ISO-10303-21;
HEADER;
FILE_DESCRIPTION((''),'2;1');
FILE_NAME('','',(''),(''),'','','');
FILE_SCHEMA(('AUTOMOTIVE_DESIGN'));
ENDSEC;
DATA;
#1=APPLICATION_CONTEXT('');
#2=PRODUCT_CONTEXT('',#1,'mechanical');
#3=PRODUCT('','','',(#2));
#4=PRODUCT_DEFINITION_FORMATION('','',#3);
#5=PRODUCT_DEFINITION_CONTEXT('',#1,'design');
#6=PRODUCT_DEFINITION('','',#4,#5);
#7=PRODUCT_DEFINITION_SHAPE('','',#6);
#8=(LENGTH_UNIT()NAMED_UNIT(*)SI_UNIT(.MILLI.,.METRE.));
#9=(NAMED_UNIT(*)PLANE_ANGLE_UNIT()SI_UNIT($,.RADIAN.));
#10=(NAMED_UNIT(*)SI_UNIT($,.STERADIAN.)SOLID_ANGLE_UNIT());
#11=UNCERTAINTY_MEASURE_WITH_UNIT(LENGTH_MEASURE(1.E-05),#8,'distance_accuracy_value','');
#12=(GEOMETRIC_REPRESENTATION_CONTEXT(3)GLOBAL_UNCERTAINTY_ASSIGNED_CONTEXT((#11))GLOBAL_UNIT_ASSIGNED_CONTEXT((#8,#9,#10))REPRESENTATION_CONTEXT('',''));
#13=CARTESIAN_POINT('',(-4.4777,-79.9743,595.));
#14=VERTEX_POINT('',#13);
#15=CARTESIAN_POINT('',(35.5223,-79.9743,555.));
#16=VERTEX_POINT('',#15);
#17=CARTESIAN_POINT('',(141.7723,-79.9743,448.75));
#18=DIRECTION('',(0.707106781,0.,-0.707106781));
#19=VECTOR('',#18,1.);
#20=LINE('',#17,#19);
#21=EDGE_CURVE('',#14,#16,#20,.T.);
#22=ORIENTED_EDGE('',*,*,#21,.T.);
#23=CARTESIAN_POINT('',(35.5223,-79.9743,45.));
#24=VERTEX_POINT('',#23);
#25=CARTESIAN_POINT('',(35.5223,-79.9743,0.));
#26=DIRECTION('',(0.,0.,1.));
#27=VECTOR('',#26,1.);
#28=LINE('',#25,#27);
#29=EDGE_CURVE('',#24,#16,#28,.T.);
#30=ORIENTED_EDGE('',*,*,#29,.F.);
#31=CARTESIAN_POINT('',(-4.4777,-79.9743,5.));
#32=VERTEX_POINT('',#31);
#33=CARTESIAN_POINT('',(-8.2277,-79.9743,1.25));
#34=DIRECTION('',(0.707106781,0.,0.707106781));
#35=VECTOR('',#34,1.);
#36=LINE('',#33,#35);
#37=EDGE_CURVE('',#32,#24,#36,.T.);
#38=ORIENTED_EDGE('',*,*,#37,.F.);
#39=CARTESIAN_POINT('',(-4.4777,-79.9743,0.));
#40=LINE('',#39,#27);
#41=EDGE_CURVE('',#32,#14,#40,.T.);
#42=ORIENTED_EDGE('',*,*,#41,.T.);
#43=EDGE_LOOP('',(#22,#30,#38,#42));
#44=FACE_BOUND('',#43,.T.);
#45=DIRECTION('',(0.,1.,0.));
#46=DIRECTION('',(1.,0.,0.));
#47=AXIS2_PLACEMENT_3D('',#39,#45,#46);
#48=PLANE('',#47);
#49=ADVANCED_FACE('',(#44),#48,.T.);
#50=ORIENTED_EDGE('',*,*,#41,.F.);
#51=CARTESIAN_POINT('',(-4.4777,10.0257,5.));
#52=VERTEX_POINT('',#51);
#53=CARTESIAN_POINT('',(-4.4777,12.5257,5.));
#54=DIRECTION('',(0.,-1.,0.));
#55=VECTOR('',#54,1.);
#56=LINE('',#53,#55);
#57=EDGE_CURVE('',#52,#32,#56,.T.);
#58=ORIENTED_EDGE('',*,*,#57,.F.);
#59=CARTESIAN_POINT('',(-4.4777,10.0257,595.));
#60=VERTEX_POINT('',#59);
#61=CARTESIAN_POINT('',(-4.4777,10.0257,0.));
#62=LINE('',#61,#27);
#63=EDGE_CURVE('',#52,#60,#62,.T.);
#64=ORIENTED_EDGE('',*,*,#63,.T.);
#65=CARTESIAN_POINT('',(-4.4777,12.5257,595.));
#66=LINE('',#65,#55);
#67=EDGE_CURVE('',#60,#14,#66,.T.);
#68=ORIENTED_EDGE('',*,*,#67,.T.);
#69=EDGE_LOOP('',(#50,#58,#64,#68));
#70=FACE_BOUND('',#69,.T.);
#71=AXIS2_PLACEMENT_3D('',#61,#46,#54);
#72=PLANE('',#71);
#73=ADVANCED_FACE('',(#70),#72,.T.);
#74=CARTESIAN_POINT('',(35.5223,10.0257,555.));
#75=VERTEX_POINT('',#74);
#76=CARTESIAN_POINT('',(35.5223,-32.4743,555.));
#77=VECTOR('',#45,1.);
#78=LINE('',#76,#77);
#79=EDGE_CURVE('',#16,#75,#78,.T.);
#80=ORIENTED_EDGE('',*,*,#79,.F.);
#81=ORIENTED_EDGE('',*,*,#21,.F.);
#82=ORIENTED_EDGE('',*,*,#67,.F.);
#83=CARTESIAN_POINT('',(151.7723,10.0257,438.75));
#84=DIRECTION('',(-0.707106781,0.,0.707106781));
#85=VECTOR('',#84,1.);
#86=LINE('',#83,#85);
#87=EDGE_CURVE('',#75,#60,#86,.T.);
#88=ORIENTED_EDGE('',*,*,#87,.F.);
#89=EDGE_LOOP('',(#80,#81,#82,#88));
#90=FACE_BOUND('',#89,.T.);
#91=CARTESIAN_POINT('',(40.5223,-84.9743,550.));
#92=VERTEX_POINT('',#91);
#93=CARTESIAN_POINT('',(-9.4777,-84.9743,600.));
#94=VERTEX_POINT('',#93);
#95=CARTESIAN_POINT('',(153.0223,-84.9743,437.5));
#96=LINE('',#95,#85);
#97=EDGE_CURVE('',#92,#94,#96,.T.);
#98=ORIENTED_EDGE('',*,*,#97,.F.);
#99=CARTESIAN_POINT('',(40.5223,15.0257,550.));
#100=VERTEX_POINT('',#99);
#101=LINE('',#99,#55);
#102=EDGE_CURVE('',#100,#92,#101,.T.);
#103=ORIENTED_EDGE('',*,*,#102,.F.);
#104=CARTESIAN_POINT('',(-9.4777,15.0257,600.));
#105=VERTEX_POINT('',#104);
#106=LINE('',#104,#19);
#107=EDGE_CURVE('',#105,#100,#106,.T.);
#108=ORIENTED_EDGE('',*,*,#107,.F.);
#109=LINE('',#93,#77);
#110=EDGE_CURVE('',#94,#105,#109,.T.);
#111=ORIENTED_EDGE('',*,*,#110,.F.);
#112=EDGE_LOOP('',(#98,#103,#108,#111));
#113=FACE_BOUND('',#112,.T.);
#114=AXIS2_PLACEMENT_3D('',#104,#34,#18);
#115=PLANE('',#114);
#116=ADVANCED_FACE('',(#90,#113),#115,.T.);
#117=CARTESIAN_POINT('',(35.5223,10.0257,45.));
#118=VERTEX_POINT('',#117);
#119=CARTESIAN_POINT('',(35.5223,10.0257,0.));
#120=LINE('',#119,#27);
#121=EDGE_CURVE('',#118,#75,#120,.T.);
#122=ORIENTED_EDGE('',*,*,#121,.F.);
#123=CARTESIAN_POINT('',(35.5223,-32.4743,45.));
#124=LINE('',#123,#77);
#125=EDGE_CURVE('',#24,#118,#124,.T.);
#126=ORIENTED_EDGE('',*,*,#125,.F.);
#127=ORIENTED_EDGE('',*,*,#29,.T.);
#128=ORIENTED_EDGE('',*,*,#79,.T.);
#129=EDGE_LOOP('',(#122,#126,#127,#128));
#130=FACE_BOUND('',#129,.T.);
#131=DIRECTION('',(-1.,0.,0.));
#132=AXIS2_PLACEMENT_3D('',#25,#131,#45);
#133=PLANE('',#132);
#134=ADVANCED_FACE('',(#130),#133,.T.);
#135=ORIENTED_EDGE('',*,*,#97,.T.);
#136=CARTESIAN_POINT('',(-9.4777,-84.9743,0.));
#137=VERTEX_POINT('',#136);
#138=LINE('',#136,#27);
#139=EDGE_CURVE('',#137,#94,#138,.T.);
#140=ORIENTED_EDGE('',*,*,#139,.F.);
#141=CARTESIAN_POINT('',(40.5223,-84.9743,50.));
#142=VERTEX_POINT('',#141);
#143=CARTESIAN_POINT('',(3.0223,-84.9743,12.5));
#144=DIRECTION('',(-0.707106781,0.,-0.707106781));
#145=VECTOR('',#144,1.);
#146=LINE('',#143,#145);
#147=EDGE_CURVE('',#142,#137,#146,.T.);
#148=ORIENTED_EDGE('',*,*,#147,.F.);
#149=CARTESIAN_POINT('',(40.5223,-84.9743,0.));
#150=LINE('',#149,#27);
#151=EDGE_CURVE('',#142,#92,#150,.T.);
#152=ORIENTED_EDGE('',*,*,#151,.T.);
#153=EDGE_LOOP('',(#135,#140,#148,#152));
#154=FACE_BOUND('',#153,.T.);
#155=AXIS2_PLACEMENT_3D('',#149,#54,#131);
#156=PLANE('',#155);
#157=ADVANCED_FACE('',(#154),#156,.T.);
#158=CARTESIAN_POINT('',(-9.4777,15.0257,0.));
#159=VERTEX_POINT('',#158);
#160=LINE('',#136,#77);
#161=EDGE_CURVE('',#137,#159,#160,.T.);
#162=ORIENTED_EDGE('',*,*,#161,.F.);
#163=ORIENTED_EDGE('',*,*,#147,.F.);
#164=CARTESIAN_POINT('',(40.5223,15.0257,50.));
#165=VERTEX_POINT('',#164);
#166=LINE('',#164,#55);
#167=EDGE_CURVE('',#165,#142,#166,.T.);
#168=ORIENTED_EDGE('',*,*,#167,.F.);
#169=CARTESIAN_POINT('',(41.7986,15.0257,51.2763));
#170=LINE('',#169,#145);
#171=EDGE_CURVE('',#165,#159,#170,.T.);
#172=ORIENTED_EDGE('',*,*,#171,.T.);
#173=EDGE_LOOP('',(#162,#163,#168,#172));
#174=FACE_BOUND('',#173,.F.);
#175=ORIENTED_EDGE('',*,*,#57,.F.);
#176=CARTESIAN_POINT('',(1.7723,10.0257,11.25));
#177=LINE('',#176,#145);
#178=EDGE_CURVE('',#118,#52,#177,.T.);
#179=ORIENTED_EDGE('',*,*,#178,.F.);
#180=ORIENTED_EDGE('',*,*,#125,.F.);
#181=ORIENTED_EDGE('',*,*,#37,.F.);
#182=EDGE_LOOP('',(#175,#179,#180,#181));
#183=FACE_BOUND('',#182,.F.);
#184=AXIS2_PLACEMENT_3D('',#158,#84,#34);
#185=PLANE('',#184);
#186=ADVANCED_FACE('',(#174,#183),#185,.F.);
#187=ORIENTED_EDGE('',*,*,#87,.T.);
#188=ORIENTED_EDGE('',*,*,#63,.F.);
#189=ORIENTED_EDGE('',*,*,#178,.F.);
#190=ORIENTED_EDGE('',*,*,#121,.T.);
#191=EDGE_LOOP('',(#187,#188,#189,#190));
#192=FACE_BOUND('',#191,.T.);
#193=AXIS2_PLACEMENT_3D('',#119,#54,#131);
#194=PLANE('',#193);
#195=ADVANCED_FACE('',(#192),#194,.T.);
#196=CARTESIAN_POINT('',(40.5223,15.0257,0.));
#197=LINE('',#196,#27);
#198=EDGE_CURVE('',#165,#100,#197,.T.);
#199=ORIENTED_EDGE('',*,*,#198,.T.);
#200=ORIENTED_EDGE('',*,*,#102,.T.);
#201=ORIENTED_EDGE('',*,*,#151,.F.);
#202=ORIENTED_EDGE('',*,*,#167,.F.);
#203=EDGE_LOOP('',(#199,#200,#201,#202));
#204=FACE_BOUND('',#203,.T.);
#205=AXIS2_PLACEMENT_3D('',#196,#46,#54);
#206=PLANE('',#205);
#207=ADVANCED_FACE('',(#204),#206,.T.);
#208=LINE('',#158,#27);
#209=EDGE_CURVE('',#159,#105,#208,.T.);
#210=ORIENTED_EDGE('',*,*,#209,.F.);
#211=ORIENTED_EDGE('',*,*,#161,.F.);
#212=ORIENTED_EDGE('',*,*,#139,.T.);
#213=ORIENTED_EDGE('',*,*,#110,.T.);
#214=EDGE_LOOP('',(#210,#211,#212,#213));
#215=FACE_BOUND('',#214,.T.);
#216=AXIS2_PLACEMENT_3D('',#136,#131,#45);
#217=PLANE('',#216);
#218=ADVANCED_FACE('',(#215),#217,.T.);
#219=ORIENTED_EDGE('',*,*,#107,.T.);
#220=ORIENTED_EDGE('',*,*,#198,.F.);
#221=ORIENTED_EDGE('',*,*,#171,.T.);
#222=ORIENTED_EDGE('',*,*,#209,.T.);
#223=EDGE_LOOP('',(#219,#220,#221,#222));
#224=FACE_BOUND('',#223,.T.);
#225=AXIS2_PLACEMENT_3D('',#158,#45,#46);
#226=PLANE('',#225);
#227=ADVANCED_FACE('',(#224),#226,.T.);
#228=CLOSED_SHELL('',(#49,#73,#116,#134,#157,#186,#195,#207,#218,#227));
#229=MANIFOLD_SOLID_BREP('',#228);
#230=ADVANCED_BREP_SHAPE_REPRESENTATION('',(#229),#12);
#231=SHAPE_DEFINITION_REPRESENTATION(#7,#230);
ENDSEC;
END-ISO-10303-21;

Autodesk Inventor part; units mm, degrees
ref_plane "YZ Plane" through (0, 0, 0) normal (1, 0, 0) x (0, 1, 0)
ref_plane "XZ Plane" through (0, 0, 0) normal (0, 1, 0) x (-1, 0, 0)
ref_plane "XY Plane" through (0, 0, 0) normal (0, 0, 1) x (1, 0, 0)
sketch "Sketch1" plane through (0, 0, 0) normal (0, 0, 1) x (1, 0, 0)
  line L0 (-9.4777, 15.0257) -> (40.5223, 15.0257)
  line L1 (40.5223, 15.0257) -> (40.5223, -84.9743)
  line L2 (40.5223, -84.9743) -> (-9.4777, -84.9743)
  line L3 (-9.4777, -84.9743) -> (-9.4777, 15.0257)
  line L4 (35.5223, 10.0257) -> (-4.4777, 10.0257)
  line L5 (-4.4777, 10.0257) -> (-4.4777, -79.9743)
  line L6 (-4.4777, -79.9743) -> (35.5223, -79.9743)
  line L7 (35.5223, -79.9743) -> (35.5223, 10.0257)
  point P0 (0, 0)
  point P1 (0, 0)
  dimension "d0" = 50
  dimension "d1" = 100
  dimension "d2" = 5
  dimension "d3" = 90
  dimension "d4" = 5
  dimension "d5" = 40
extrude "Extrusion1" add sketch "Sketch1" along normal blind 600
sketch "Sketch2" plane through (-9.4777, 15.0257, 0) normal (0, 1, 0) x (1, 0, 0)
  line L0 (0, 0) -> (0, -600) projected
  line L1 (0, 0) -> (51.2763, -51.2763)
  line L2 (0, 0) -> (72.5157, 0) construction
  line L3 (51.2763, -51.2763) -> (51.2763, 0)
  line L4 (45, 0) -> (45, -600) projected
  line L5 (50, 0) -> (0, 0) projected
  line L6 (51.2763, 0) -> (0, 0)
  line L7 (0, 0) -> (0, -600) projected
  line L8 (0, -600) -> (50, -550)
  line L9 (50, 0) -> (50, -600) projected
  line L10 (0, -600) -> (70.7107, -600) construction
  line L11 (50, -550) -> (50, -600)
  line L12 (50, -600) -> (0, -600)
  point P0 (9.4777, 0)
  dimension "d8" = 45
  dimension "d11" = 45
extrude "Extrusion2" cut sketch "Sketch2" against normal blind 600 contours L5 L4 L1 | L8 L4 L12 | L4 L5 L9 L1 | L8 L9 L12 L4 | L9 L6 L3 L1
properties part number "PerfilH2"
